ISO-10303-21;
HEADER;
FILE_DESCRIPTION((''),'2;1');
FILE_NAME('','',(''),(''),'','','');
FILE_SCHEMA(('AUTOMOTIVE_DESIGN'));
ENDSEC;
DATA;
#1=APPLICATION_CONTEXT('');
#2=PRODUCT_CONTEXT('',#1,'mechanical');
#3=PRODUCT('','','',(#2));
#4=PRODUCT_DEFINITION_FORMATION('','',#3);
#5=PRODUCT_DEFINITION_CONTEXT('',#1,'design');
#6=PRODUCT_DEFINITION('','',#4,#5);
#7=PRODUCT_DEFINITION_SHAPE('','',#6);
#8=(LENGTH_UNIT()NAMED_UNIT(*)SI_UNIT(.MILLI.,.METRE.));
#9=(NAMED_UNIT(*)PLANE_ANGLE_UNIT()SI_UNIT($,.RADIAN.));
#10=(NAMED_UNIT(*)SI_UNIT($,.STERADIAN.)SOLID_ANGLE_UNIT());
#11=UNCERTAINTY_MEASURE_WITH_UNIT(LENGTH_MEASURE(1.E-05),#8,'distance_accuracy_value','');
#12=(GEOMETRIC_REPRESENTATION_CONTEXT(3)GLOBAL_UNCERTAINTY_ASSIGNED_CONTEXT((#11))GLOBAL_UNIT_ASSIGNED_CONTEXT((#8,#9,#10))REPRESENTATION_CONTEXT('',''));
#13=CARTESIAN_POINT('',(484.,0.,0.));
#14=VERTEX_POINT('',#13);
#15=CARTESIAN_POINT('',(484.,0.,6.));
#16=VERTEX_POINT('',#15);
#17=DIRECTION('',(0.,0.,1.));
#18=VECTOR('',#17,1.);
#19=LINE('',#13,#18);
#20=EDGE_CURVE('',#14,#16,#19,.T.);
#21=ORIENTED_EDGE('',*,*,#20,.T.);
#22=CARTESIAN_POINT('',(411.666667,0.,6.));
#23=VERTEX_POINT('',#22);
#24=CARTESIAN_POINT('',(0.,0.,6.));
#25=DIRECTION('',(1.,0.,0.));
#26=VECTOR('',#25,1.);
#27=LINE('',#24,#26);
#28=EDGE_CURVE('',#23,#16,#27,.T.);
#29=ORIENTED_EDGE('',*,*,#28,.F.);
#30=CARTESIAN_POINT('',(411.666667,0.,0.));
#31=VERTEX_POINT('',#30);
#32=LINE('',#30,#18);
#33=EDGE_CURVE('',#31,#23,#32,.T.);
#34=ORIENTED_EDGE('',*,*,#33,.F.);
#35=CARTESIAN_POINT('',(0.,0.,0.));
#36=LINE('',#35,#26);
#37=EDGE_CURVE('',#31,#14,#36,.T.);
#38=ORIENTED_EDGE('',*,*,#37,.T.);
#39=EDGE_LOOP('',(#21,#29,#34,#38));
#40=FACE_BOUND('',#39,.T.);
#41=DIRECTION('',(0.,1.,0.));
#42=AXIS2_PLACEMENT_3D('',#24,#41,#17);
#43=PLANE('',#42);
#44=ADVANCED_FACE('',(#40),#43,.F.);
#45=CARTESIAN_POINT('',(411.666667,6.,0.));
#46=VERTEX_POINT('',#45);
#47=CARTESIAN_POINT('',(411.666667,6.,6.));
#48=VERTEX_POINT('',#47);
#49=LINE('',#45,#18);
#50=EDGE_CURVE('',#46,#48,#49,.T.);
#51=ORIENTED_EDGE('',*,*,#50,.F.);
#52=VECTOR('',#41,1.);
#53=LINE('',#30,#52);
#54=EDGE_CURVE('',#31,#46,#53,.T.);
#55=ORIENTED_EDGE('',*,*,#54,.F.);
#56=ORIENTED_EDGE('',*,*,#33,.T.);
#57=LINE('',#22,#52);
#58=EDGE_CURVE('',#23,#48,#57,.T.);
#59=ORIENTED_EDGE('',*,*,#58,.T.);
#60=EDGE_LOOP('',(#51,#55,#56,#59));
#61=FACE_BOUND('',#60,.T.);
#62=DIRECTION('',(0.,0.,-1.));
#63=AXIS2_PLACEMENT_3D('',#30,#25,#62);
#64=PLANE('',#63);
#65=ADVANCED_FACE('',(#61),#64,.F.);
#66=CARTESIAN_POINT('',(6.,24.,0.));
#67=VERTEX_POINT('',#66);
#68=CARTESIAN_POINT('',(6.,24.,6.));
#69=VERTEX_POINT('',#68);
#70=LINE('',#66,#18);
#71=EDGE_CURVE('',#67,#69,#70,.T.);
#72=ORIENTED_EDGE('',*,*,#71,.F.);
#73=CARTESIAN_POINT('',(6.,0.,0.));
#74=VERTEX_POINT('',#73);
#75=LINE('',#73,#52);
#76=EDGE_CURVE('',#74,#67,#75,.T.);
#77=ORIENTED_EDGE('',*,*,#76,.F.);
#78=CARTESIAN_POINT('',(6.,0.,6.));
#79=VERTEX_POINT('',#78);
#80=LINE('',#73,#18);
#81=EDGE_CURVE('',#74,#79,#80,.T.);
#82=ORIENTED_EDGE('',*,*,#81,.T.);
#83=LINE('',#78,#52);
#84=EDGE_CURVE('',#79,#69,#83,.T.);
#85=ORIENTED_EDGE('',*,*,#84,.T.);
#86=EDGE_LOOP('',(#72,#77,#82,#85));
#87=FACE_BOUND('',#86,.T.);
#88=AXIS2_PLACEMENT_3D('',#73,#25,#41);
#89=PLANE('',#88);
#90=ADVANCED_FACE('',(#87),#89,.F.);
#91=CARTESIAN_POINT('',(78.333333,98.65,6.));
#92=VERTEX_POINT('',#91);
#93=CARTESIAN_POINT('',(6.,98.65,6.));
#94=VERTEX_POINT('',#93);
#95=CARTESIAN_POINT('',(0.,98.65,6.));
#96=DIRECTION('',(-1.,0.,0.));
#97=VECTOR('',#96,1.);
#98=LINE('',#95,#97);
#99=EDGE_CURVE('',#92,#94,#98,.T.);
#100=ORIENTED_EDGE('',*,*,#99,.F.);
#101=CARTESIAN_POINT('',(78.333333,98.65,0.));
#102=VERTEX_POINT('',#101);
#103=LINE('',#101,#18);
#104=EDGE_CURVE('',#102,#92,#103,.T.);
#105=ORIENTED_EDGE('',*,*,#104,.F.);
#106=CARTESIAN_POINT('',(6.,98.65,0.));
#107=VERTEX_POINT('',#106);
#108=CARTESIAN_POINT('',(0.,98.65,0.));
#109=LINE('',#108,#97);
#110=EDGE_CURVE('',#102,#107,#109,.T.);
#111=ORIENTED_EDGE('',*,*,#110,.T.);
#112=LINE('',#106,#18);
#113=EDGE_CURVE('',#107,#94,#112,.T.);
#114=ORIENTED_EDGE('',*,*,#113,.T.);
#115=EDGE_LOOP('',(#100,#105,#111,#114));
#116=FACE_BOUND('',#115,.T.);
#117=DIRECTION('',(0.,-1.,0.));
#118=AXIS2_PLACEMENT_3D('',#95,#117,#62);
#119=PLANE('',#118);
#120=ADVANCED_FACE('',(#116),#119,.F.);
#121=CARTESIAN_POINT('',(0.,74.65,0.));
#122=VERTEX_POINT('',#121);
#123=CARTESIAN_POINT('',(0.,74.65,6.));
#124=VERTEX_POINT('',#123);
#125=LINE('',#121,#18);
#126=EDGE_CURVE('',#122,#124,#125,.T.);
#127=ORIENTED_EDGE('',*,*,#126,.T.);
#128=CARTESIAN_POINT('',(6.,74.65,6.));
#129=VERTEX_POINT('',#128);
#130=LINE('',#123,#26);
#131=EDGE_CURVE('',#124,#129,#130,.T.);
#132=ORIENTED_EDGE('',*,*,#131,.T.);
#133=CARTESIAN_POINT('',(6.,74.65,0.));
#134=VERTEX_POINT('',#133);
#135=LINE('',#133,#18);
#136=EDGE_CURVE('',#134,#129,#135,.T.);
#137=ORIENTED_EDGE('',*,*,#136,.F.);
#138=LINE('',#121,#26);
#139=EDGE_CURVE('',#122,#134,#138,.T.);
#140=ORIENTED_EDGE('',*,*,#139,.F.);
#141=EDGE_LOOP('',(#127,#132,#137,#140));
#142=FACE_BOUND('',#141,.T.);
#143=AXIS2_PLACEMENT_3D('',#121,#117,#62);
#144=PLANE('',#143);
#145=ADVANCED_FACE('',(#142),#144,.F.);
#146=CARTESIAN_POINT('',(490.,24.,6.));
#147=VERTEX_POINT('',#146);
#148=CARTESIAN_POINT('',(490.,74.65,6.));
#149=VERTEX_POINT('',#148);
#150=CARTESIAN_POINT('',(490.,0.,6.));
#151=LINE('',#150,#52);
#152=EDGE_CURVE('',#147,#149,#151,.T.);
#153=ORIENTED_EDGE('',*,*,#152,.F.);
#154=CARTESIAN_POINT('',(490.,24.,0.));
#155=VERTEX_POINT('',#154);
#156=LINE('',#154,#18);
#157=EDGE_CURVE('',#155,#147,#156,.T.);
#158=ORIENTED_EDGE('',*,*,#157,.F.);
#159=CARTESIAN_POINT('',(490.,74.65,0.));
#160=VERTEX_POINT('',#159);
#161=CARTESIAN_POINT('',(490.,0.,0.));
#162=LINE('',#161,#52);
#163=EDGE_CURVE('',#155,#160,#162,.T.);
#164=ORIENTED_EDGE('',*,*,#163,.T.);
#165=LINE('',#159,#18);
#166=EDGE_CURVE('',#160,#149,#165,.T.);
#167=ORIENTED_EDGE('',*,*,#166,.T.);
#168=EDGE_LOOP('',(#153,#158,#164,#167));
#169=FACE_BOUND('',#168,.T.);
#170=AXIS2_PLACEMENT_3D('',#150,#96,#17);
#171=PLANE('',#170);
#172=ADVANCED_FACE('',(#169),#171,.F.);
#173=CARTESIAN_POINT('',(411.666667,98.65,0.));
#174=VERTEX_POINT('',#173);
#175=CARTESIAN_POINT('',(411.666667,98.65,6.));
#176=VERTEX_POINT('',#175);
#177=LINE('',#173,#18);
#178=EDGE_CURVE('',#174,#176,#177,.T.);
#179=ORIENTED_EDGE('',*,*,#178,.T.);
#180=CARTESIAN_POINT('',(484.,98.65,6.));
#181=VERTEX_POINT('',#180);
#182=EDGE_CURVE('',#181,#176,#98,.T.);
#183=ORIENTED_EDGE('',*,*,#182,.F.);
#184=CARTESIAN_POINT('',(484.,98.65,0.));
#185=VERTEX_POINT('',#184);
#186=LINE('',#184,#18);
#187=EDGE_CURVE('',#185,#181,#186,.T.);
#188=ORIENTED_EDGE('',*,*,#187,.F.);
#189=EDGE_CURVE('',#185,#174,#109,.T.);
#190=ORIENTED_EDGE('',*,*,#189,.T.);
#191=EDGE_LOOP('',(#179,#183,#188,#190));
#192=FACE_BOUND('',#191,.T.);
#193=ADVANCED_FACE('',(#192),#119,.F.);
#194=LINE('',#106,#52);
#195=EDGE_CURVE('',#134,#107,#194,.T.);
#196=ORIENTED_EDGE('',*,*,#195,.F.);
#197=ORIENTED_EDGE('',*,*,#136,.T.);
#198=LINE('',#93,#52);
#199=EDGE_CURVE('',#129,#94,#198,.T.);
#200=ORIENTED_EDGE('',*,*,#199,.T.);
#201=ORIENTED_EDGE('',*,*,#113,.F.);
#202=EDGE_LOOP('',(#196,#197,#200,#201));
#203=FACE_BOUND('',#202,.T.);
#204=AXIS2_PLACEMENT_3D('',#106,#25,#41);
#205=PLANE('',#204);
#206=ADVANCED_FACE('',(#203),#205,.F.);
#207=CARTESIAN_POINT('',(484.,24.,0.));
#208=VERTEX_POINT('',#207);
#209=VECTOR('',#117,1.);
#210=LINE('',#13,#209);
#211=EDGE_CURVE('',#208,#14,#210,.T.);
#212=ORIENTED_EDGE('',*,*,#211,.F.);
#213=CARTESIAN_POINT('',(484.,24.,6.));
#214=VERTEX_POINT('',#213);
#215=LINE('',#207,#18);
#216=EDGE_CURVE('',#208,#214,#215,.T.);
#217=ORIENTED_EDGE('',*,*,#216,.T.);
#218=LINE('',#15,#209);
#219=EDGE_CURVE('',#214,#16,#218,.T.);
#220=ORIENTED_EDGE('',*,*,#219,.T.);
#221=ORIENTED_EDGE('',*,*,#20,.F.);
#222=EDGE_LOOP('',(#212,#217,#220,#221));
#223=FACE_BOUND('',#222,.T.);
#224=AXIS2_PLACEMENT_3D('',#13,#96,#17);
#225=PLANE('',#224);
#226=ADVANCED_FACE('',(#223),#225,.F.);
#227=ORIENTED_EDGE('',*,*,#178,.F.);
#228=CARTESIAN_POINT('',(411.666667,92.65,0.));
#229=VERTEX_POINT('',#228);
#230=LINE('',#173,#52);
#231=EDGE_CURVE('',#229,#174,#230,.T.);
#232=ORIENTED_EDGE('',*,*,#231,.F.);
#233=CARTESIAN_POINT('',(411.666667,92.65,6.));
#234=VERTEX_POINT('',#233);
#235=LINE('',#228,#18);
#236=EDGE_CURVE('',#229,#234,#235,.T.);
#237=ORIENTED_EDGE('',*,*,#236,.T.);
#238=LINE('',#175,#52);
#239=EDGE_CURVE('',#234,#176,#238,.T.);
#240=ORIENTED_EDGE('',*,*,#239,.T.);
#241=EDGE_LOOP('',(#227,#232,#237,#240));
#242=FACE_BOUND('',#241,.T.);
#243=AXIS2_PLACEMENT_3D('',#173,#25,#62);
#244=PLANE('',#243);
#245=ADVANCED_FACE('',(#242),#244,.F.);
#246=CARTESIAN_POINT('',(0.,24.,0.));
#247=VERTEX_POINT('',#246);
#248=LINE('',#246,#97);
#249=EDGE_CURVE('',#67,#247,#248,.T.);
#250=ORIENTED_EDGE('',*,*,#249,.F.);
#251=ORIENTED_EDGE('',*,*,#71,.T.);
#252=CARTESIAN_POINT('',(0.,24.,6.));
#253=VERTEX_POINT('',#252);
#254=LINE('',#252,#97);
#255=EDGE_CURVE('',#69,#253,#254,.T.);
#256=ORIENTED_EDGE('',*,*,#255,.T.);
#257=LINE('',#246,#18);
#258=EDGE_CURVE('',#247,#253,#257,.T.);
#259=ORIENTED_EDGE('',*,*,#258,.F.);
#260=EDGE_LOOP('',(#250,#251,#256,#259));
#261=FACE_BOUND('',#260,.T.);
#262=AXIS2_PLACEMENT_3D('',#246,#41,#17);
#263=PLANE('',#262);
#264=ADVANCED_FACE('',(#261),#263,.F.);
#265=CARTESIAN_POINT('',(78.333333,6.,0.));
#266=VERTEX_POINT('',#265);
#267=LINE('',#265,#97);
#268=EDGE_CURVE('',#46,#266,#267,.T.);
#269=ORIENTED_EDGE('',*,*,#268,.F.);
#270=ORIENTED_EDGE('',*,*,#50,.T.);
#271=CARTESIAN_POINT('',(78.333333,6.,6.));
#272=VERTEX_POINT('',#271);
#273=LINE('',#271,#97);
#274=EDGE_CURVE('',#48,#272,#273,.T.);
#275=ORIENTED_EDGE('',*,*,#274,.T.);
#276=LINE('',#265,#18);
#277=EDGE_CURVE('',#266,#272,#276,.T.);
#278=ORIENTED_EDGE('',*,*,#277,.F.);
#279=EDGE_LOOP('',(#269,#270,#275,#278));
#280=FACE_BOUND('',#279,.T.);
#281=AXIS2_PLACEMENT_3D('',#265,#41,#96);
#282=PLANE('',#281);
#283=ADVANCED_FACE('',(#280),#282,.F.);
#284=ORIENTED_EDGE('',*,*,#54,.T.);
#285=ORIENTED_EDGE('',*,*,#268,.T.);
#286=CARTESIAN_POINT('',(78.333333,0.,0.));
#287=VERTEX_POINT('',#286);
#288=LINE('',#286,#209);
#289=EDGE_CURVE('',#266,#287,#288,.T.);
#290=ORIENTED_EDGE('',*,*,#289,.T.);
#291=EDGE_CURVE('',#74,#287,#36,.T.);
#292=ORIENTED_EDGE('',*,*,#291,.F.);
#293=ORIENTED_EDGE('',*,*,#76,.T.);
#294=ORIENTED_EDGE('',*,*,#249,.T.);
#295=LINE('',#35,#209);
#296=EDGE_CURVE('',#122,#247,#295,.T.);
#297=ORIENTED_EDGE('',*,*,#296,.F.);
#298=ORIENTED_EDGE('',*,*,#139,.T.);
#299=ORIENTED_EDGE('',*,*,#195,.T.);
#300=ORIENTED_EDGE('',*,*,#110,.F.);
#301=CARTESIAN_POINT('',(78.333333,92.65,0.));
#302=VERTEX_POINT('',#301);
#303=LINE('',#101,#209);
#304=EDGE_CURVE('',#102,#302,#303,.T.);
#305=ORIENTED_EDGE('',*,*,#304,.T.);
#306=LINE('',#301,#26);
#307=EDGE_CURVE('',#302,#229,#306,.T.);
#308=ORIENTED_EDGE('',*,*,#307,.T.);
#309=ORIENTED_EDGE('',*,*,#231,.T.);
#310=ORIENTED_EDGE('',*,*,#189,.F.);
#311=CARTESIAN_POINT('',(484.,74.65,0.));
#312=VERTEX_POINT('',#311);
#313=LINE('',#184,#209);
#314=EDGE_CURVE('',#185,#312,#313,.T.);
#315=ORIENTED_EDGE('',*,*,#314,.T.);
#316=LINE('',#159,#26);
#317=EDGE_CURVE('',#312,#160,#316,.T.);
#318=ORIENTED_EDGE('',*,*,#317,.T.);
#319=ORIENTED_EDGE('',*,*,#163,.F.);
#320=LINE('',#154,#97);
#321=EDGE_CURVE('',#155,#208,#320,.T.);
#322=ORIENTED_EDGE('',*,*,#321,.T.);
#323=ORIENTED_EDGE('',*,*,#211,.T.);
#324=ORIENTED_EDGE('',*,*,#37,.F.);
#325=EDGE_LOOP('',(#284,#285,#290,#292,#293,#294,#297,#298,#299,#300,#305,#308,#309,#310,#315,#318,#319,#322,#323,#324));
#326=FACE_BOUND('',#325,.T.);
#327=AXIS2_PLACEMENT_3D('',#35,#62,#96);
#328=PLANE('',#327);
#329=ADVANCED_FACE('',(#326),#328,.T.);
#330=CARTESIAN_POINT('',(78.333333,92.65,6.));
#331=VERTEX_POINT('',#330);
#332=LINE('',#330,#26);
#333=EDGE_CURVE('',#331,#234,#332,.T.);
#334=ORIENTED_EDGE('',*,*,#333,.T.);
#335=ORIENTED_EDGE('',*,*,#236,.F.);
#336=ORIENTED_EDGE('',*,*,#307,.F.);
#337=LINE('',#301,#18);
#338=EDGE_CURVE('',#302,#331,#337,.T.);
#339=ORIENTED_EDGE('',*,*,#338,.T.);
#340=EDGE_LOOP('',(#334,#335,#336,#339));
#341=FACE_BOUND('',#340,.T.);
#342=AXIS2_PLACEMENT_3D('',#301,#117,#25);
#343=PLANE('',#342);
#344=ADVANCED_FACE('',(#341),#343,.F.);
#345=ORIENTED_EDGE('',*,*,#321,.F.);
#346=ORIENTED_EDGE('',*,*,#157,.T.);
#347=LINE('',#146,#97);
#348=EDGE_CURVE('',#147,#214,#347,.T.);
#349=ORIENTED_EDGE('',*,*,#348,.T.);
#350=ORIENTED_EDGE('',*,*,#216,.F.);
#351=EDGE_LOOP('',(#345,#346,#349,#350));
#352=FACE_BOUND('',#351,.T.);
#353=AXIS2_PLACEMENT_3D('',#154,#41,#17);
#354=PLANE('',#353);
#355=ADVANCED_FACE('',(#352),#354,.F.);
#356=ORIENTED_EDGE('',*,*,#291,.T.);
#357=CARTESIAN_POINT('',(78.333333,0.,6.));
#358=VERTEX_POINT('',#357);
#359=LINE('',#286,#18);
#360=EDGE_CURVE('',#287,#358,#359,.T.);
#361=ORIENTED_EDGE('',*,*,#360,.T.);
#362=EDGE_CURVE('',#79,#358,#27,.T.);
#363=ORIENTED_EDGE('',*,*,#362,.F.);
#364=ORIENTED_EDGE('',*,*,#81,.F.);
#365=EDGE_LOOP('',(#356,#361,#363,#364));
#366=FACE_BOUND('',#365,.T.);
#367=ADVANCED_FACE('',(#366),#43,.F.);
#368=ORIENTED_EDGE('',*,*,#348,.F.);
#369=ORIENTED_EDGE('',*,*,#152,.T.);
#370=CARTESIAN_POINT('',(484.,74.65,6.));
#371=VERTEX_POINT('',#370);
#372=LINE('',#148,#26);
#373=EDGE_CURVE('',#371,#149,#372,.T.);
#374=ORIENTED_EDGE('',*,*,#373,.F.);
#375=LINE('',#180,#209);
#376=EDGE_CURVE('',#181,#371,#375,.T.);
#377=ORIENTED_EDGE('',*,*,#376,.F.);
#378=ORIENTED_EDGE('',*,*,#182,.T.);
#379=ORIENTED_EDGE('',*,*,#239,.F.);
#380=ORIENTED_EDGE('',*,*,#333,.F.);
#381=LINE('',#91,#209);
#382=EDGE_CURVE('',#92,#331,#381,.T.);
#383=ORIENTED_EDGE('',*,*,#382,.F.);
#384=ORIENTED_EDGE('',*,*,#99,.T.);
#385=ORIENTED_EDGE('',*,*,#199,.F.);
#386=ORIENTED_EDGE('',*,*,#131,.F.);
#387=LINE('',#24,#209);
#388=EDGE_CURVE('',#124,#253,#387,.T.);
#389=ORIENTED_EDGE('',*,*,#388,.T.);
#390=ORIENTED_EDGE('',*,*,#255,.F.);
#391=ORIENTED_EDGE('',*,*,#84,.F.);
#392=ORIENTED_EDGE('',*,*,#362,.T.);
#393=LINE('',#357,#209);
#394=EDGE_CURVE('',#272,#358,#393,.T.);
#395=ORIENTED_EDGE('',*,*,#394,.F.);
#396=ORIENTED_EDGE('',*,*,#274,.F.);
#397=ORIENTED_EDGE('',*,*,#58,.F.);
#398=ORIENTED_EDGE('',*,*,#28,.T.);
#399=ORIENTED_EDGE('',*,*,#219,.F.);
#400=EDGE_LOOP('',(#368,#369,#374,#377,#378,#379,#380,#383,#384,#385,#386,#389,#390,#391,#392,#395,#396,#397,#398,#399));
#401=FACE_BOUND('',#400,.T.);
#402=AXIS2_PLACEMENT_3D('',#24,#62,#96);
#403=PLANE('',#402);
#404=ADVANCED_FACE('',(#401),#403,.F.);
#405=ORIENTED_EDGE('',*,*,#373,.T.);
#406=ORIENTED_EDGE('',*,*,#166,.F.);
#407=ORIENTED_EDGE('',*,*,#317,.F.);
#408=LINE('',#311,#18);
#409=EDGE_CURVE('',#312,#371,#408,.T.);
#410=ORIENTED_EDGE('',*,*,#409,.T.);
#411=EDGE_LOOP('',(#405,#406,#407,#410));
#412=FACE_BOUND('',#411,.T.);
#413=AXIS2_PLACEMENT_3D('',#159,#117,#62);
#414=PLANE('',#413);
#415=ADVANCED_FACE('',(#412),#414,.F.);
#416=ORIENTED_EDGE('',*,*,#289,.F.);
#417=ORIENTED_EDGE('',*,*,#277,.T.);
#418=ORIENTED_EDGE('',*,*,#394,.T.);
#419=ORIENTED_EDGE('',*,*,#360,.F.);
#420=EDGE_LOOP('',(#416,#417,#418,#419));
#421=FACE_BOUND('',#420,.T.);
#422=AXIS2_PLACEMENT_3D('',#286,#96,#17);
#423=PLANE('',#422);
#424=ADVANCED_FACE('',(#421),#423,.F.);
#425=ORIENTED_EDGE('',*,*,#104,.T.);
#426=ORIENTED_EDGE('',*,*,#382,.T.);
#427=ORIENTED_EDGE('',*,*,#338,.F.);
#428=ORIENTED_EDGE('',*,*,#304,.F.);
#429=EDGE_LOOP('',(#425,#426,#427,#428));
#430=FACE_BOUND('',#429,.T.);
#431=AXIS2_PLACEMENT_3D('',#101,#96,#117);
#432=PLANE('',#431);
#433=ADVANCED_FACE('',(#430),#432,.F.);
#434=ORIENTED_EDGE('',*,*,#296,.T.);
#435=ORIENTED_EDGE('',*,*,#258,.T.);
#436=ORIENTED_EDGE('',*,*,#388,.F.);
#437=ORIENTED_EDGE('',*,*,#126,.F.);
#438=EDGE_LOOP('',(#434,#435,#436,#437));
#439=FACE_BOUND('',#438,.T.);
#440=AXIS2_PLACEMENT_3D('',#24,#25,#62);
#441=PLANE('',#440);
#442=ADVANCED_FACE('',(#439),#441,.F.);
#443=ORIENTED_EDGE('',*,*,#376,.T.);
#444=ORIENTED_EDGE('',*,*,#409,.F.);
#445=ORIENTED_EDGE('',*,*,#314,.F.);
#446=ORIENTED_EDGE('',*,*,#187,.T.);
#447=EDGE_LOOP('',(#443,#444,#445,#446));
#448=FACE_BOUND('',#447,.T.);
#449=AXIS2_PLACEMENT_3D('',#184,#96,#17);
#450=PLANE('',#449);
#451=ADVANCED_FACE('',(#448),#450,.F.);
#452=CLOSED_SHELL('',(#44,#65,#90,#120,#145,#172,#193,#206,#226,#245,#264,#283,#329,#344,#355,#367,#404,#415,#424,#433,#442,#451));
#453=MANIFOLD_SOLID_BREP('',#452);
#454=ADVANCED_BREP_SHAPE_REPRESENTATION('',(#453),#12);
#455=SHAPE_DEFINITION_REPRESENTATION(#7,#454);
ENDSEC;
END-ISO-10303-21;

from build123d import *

# Parameters (mm, degrees)
SKETCH1_W           = 490
SKETCH1_H           = 98.65
BOSS_EXTRUDE1_DEPTH = 6
SKETCH2_W           = 6
SKETCH2_H           = 24
SKETCH2_W_2         = 333.333333334
SKETCH2_H_2         = 6
CUT_EXTRUDE1_DEPTH  = 500.867805024


with BuildPart() as part:
    # Sketch1 → Boss-Extrude1 (new body)
    with BuildSketch(Plane.XY):
        with Locations((245, 49.325)):
            Rectangle(SKETCH1_W, SKETCH1_H)
    extrude(amount=BOSS_EXTRUDE1_DEPTH)

    # Sketch2 → Cut-Extrude1 (cut, through all)
    with BuildSketch(Plane.XY.offset(6)):
        with Locations((487, 86.65)):
            Rectangle(SKETCH2_W, SKETCH2_H)
        with Locations((487, 12)):
            Rectangle(SKETCH2_W, SKETCH2_H)
        with Locations((3, 12)):
            Rectangle(SKETCH2_W, SKETCH2_H)
        with Locations((3, 86.65)):
            Rectangle(SKETCH2_W, SKETCH2_H)
        with Locations((245, 95.65)):
            Rectangle(SKETCH2_W_2, SKETCH2_H_2)
        with Locations((245, 3)):
            Rectangle(SKETCH2_W_2, SKETCH2_H_2)
    extrude(amount=-CUT_EXTRUDE1_DEPTH, mode=Mode.SUBTRACT)


solid = part.part
